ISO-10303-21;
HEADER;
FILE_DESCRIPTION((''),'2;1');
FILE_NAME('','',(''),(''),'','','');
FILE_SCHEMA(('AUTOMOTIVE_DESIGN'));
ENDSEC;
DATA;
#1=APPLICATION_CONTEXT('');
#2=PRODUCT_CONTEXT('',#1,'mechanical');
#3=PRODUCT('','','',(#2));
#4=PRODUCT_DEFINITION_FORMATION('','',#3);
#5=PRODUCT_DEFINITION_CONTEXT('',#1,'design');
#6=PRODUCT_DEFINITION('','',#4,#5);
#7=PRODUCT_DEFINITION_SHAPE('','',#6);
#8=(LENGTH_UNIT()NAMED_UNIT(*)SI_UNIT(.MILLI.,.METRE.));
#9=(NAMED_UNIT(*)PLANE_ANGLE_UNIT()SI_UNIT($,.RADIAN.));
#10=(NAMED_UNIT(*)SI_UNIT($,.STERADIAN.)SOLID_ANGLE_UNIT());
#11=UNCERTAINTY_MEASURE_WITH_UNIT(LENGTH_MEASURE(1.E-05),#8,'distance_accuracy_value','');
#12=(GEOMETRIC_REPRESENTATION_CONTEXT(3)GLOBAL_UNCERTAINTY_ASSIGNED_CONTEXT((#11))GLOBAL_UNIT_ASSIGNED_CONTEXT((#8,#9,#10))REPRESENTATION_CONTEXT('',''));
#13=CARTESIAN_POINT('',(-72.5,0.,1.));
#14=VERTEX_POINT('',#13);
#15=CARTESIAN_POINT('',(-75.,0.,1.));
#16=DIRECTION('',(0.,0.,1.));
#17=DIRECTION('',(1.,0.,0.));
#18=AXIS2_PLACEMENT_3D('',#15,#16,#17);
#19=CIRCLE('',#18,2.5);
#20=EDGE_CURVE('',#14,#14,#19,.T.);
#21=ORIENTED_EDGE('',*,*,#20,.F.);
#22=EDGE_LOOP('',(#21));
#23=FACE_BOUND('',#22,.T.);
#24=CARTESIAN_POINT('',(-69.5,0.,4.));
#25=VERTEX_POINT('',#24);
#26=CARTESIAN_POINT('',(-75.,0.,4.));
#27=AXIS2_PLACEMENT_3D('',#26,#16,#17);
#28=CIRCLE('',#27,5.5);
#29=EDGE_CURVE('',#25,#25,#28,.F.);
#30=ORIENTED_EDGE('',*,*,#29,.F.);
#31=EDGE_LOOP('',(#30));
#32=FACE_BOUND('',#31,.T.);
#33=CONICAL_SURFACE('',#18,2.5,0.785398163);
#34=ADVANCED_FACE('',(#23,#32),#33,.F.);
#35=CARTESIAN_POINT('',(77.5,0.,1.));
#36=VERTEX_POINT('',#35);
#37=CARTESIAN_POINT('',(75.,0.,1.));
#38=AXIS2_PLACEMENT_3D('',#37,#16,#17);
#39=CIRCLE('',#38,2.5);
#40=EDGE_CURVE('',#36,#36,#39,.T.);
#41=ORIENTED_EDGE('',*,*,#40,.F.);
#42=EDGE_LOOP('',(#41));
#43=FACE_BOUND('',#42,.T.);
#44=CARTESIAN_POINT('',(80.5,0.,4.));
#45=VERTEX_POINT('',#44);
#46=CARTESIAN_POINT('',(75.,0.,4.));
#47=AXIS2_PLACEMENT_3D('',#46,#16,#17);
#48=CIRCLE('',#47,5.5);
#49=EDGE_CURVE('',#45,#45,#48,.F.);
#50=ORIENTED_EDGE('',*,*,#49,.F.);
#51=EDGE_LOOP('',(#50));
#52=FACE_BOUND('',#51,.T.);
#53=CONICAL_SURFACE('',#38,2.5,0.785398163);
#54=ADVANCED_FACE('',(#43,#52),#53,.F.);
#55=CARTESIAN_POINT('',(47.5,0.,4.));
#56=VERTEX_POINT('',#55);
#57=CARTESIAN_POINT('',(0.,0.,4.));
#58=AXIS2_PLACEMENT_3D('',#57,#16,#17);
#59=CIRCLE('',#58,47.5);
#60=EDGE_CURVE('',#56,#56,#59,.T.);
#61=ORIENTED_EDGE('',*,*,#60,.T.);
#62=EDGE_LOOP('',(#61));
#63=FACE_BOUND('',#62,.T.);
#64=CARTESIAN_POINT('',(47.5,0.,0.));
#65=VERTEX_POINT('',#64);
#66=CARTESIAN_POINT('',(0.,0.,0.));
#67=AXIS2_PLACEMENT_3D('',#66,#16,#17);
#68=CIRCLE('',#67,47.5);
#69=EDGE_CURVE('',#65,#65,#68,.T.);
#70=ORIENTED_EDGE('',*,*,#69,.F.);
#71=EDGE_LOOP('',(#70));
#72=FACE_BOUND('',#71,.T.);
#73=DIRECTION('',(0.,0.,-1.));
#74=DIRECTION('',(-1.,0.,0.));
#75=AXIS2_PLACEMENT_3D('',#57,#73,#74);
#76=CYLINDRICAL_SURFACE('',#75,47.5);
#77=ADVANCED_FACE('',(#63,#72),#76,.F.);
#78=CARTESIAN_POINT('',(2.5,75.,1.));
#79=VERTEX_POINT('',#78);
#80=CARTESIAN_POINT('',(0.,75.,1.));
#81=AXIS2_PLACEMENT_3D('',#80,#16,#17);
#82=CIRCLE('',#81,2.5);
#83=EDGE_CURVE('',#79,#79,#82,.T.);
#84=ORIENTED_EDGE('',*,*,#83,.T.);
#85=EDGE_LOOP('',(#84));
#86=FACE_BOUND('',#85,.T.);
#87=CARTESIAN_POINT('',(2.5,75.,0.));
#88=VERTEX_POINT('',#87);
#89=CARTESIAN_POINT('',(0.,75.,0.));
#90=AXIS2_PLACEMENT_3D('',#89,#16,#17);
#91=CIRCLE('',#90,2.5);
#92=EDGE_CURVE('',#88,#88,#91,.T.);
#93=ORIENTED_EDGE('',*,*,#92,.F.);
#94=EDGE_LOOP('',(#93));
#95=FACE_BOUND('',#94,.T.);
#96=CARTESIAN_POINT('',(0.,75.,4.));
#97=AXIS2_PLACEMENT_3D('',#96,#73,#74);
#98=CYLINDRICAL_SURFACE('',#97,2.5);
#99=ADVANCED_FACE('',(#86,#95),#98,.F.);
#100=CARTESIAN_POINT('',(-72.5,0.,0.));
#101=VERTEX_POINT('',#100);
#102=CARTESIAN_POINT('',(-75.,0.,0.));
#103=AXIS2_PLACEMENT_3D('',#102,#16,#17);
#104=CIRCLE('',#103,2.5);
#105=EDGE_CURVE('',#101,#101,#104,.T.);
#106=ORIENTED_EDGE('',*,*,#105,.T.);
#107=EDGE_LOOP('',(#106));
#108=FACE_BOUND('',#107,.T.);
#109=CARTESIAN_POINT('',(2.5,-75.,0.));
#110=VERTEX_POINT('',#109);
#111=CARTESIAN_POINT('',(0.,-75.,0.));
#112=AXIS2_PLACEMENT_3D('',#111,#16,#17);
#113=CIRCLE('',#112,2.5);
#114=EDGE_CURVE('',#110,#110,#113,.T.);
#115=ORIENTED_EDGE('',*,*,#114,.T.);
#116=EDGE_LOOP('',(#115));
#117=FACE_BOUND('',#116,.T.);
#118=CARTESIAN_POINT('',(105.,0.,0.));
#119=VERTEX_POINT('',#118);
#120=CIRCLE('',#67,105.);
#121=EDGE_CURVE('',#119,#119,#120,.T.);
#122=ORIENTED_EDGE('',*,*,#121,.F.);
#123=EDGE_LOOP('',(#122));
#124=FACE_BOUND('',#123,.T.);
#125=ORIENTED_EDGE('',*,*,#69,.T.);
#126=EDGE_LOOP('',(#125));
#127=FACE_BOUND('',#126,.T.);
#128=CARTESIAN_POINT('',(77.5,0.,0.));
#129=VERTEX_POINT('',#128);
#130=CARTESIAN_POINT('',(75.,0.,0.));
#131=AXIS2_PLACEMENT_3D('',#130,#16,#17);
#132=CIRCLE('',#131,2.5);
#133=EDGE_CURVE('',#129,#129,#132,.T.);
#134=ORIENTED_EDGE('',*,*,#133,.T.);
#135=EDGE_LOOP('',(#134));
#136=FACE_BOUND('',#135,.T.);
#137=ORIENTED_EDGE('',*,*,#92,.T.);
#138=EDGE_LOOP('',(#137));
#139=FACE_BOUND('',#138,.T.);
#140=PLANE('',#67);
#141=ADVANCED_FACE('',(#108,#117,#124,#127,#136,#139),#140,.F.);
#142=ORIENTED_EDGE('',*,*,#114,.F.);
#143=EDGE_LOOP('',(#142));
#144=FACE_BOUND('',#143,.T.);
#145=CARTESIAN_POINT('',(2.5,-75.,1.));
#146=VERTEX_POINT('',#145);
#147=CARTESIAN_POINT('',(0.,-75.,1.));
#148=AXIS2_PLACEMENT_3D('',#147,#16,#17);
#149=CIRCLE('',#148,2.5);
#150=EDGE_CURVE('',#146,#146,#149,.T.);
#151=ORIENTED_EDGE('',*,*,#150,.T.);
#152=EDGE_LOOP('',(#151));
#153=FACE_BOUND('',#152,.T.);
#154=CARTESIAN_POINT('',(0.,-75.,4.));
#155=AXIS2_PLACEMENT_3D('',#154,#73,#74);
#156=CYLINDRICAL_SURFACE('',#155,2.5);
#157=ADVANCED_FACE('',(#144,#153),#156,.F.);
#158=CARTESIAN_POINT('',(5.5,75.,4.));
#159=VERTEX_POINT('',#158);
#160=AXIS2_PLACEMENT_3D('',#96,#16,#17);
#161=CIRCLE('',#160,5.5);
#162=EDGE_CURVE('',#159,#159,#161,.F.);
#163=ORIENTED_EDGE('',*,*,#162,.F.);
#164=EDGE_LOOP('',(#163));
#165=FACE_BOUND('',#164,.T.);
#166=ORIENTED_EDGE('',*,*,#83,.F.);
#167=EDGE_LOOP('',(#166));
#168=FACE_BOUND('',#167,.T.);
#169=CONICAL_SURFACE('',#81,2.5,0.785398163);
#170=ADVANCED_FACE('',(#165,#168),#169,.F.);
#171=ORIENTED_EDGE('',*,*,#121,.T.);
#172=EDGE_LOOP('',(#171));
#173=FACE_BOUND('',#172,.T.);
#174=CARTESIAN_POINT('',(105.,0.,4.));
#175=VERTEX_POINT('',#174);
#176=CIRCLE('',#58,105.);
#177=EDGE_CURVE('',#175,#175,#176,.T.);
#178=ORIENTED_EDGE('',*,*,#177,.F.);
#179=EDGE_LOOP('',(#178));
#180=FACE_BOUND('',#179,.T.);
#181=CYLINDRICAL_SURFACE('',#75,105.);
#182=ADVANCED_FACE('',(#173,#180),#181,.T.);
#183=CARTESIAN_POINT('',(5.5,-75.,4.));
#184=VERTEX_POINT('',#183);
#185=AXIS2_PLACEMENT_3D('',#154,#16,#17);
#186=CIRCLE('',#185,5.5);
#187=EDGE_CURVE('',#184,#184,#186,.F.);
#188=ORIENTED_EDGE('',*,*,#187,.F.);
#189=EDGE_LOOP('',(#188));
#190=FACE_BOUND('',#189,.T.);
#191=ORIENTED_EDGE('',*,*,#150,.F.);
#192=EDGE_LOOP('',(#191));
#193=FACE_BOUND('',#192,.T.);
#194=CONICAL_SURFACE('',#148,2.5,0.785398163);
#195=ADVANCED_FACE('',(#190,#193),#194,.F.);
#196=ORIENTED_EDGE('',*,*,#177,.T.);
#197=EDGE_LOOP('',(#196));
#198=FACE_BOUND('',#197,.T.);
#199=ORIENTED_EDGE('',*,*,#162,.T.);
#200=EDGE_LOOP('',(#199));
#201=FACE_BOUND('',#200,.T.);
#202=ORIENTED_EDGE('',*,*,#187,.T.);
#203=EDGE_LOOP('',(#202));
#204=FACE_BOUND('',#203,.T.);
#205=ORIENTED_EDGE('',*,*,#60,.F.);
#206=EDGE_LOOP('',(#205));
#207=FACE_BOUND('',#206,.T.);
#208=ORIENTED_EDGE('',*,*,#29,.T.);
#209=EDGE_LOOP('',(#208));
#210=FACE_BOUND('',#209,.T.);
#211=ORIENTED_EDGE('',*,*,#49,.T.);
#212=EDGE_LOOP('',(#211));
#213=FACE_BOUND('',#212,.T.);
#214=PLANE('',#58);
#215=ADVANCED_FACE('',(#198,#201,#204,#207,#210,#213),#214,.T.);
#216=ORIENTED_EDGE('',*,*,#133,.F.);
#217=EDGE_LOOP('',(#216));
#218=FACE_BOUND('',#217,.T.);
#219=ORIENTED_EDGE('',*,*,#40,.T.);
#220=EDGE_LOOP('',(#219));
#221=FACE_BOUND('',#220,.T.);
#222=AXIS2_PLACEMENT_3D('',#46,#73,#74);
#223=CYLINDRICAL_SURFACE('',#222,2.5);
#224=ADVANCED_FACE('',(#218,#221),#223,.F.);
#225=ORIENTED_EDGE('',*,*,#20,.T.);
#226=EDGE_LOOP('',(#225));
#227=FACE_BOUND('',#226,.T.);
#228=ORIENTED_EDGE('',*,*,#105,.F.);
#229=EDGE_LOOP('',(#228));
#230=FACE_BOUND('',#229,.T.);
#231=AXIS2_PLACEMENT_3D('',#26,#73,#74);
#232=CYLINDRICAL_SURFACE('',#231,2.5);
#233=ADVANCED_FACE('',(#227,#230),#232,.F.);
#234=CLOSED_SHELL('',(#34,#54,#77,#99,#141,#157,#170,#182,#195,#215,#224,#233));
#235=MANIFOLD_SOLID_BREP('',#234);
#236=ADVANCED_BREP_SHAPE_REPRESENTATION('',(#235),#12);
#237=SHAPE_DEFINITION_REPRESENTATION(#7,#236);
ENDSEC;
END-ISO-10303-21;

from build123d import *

# Parameters (mm, degrees)
SKETCH1_R           = 105
SKETCH1_R_2         = 47.5
SKETCH1_R_3         = 2.5
BOSS_EXTRUDE1_DEPTH = 4
CHAMFER1_SIZE       = 3


with BuildPart() as part:
    # Sketch1 → Boss-Extrude1 (new body)
    with BuildSketch(Plane.XY):
        Circle(SKETCH1_R)
        Circle(SKETCH1_R_2, mode=Mode.SUBTRACT)
        with Locations((0, 75)):
            Circle(SKETCH1_R_3, mode=Mode.SUBTRACT)
        with Locations((75, 0)):
            Circle(SKETCH1_R_3, mode=Mode.SUBTRACT)
        with Locations((0, -75)):
            Circle(SKETCH1_R_3, mode=Mode.SUBTRACT)
        with Locations((-75, 0)):
            Circle(SKETCH1_R_3, mode=Mode.SUBTRACT)
    extrude(amount=BOSS_EXTRUDE1_DEPTH)

    # Chamfer1
    chamfer1_edges = [part.edges().sort_by_distance(p)[0] for p in [
        (72.5, 0, 4),
        (-2.5, -75, 4),
        (-77.5, 0, 4),
        (-2.5, 75, 4),
    ]]
    chamfer(chamfer1_edges, length=CHAMFER1_SIZE)


solid = part.part
